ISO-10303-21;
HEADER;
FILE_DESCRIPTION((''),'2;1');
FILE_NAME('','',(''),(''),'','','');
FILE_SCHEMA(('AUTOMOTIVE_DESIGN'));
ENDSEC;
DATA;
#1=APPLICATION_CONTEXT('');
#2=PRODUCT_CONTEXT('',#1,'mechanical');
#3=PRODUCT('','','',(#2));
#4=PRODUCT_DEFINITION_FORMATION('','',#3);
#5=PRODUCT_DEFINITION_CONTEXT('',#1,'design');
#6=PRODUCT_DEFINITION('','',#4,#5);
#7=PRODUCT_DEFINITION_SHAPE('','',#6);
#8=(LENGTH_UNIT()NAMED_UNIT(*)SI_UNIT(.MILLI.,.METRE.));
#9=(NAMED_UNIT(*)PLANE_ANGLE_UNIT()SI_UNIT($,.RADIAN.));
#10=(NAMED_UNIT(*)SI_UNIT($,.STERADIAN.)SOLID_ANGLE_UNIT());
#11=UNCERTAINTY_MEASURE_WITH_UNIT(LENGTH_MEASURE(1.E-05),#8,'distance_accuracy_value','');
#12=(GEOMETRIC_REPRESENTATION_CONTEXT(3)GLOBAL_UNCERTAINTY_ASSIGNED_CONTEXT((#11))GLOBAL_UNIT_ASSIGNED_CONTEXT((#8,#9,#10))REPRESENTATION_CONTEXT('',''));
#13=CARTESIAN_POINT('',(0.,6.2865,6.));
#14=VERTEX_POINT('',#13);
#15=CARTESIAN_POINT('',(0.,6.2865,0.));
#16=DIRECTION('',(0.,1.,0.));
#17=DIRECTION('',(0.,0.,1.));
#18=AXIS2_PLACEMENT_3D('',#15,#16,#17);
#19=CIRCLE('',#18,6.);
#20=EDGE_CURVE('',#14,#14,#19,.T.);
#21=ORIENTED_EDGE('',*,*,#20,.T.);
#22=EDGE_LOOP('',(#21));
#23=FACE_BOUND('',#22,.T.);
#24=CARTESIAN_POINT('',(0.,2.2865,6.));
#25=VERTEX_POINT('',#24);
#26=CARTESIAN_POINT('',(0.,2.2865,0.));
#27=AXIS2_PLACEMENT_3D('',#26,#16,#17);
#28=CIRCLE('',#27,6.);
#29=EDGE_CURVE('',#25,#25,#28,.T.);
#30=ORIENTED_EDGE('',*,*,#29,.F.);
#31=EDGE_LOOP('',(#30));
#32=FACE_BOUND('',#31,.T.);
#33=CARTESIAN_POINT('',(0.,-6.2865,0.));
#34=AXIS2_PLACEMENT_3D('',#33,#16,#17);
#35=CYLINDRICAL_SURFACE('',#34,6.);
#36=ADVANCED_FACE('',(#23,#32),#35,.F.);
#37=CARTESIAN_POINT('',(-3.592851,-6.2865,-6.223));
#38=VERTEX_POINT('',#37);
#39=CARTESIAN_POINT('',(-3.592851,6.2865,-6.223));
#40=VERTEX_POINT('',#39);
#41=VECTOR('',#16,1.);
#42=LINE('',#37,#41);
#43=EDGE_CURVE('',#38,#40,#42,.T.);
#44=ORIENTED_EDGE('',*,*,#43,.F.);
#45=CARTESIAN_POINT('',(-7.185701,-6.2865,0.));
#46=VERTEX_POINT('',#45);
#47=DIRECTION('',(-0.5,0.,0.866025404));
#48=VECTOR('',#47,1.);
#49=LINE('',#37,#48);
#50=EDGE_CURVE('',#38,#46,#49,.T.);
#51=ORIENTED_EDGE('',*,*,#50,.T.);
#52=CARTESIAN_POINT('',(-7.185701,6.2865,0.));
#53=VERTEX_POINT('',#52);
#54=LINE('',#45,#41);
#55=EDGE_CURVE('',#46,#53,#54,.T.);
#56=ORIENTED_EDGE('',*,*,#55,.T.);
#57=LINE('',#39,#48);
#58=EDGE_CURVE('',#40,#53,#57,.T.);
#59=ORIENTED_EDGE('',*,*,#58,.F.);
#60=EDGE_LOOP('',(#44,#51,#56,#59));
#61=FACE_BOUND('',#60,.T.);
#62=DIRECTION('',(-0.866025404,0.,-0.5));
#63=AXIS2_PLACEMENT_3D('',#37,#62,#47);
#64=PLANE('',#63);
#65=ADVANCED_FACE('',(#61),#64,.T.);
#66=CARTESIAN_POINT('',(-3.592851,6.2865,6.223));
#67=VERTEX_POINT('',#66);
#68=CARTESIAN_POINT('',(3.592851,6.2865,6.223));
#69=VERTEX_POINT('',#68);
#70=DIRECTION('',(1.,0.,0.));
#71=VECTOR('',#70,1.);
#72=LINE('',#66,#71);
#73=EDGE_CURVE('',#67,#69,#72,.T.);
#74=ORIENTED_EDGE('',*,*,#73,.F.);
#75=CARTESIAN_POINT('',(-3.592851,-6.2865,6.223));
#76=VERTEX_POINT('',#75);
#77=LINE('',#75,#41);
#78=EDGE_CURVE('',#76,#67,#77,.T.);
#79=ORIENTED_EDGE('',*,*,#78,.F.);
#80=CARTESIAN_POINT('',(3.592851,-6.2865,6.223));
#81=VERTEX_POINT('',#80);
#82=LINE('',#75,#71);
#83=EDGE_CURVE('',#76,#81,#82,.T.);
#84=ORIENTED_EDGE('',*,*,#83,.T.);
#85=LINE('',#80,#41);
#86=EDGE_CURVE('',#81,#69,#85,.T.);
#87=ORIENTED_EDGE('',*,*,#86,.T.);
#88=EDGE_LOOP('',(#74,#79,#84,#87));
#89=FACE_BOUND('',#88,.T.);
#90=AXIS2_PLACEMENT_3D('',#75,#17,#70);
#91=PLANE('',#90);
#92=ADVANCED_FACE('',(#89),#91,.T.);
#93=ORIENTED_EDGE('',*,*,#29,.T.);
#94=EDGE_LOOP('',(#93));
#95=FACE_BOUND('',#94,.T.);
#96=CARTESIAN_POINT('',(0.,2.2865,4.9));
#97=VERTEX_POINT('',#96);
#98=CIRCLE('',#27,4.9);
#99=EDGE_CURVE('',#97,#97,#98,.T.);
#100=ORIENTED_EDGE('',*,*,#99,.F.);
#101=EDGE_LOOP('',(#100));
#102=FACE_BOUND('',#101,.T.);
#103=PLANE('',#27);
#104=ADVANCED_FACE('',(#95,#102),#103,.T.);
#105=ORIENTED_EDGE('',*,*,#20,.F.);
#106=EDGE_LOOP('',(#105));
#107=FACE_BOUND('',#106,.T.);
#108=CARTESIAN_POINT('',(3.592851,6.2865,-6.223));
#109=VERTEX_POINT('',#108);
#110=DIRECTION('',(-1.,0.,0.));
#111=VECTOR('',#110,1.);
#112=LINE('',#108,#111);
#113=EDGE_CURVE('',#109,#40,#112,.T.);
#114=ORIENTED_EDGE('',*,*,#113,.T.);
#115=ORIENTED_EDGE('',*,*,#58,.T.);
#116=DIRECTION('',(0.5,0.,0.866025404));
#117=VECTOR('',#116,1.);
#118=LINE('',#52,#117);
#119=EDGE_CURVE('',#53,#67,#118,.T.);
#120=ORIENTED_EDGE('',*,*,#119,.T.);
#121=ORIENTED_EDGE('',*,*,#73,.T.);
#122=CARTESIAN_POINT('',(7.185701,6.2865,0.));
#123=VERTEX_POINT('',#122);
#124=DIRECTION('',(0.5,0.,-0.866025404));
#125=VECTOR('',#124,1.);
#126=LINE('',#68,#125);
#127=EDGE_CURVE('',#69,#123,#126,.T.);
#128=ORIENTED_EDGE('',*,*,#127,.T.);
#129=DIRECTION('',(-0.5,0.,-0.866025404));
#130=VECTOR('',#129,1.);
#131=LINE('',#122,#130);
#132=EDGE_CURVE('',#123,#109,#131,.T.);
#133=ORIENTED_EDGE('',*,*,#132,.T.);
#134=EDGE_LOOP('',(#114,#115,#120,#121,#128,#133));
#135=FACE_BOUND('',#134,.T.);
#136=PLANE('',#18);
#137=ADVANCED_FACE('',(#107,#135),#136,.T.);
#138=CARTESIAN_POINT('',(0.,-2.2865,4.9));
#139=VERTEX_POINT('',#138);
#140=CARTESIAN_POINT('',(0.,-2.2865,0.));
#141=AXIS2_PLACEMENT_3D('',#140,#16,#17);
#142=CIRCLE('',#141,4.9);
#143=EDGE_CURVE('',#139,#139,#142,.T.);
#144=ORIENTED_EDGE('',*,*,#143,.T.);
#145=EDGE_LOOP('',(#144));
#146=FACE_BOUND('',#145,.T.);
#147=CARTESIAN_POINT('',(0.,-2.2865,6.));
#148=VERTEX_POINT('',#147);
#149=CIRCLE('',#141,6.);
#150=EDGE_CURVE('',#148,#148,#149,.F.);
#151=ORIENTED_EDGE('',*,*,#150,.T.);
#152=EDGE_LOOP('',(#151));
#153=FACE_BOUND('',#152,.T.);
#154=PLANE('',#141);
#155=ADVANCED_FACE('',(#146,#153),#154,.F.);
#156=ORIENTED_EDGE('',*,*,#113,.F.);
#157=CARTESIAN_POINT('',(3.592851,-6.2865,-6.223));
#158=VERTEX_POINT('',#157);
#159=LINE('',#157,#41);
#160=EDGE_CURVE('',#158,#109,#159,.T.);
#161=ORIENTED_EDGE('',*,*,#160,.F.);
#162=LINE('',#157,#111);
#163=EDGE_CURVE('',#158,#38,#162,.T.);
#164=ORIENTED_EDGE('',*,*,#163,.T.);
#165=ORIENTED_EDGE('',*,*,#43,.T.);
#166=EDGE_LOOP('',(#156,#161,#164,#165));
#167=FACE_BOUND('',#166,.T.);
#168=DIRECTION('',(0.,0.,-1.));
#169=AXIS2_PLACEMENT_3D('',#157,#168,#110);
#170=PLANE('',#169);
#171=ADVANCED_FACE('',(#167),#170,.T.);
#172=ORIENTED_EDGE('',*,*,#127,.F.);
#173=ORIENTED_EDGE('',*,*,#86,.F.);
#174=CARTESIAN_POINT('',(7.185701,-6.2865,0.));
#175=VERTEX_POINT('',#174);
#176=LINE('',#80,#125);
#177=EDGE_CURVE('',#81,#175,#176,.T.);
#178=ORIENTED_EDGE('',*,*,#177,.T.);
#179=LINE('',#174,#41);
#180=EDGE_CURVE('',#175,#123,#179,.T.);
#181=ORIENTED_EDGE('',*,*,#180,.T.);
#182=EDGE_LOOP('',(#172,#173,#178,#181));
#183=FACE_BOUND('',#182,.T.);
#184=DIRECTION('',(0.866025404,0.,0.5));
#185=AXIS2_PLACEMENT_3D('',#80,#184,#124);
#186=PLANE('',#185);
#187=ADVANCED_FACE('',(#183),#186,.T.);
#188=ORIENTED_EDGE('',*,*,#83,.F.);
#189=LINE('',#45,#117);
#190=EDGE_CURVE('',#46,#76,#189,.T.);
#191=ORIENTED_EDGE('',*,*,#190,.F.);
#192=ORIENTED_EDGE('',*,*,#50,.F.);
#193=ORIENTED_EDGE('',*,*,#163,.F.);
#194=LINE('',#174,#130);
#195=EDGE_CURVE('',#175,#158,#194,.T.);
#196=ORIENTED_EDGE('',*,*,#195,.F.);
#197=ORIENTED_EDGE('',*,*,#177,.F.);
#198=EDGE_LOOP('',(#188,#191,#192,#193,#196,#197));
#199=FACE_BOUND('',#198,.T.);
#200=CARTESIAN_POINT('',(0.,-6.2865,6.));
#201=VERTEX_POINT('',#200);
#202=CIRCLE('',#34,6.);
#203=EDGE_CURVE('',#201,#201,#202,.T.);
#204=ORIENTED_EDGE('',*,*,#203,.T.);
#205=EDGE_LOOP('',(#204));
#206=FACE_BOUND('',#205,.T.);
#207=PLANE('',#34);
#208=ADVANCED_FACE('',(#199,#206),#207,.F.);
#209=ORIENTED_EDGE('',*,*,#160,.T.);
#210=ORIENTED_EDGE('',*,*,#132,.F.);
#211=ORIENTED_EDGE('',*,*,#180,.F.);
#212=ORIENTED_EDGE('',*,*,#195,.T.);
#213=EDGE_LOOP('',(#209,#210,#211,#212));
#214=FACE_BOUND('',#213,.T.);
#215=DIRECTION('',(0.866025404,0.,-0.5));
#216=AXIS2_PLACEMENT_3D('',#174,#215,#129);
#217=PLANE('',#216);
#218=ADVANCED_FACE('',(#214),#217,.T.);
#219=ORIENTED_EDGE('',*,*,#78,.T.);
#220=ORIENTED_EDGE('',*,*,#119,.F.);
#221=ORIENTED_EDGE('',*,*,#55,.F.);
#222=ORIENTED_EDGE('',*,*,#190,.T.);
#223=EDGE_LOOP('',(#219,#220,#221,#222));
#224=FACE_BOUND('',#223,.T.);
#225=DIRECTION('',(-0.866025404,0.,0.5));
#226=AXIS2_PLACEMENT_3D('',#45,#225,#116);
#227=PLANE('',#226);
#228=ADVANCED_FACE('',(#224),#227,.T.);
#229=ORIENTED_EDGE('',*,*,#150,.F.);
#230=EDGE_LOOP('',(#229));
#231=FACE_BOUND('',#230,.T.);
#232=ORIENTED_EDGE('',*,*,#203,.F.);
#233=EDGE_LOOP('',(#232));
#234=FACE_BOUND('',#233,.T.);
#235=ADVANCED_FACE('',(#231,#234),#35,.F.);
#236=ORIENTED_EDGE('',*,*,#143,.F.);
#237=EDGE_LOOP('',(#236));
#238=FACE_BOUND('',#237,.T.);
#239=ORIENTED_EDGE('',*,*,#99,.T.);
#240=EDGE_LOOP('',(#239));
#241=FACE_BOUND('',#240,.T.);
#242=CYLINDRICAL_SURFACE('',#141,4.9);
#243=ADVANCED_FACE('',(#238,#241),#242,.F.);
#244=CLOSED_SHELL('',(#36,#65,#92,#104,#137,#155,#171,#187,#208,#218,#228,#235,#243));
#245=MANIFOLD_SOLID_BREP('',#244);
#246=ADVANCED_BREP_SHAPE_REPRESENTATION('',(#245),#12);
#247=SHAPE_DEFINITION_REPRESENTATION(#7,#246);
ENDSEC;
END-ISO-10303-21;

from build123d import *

# Parameters (mm, degrees)
BOSS_EXTRUDE1_DEPTH      = 6.2865
BOSS_EXTRUDE1_DEPTH_BACK = 6.2865
SKETCH1_R                = 6
BOSS_EXTRUDE2_DEPTH      = 2.2865
BOSS_EXTRUDE2_DEPTH_BACK = 2.2865
SKETCH2_R                = 6
SKETCH2_R_2              = 4.9


with BuildPart() as part:
    # Sketch1 → Boss-Extrude1 (new, two sides: drawn at the far end of the back side and taken through both)
    with BuildSketch(Plane(origin=(0, 0, 0), x_dir=(1, 0, 0), z_dir=(0, 1, 0)).offset(-BOSS_EXTRUDE1_DEPTH_BACK)):
        Polygon((-3.592850725, 6.223), (-7.18570145, 0), (-3.592850725, -6.223), (3.592850725, -6.223), (7.18570145, 0), (3.592850725, 6.223), align=None)
        Circle(SKETCH1_R, mode=Mode.SUBTRACT)
    extrude(amount=BOSS_EXTRUDE1_DEPTH + BOSS_EXTRUDE1_DEPTH_BACK)

    # Sketch2 → Boss-Extrude2 (add, two sides: drawn at the far end of the back side and taken through both)
    with BuildSketch(Plane(origin=(0, 0, 0), x_dir=(1, 0, 0), z_dir=(0, 1, 0)).offset(-BOSS_EXTRUDE2_DEPTH_BACK)):
        Circle(SKETCH2_R)
        Circle(SKETCH2_R_2, mode=Mode.SUBTRACT)
    extrude(amount=BOSS_EXTRUDE2_DEPTH + BOSS_EXTRUDE2_DEPTH_BACK)


solid = part.part
